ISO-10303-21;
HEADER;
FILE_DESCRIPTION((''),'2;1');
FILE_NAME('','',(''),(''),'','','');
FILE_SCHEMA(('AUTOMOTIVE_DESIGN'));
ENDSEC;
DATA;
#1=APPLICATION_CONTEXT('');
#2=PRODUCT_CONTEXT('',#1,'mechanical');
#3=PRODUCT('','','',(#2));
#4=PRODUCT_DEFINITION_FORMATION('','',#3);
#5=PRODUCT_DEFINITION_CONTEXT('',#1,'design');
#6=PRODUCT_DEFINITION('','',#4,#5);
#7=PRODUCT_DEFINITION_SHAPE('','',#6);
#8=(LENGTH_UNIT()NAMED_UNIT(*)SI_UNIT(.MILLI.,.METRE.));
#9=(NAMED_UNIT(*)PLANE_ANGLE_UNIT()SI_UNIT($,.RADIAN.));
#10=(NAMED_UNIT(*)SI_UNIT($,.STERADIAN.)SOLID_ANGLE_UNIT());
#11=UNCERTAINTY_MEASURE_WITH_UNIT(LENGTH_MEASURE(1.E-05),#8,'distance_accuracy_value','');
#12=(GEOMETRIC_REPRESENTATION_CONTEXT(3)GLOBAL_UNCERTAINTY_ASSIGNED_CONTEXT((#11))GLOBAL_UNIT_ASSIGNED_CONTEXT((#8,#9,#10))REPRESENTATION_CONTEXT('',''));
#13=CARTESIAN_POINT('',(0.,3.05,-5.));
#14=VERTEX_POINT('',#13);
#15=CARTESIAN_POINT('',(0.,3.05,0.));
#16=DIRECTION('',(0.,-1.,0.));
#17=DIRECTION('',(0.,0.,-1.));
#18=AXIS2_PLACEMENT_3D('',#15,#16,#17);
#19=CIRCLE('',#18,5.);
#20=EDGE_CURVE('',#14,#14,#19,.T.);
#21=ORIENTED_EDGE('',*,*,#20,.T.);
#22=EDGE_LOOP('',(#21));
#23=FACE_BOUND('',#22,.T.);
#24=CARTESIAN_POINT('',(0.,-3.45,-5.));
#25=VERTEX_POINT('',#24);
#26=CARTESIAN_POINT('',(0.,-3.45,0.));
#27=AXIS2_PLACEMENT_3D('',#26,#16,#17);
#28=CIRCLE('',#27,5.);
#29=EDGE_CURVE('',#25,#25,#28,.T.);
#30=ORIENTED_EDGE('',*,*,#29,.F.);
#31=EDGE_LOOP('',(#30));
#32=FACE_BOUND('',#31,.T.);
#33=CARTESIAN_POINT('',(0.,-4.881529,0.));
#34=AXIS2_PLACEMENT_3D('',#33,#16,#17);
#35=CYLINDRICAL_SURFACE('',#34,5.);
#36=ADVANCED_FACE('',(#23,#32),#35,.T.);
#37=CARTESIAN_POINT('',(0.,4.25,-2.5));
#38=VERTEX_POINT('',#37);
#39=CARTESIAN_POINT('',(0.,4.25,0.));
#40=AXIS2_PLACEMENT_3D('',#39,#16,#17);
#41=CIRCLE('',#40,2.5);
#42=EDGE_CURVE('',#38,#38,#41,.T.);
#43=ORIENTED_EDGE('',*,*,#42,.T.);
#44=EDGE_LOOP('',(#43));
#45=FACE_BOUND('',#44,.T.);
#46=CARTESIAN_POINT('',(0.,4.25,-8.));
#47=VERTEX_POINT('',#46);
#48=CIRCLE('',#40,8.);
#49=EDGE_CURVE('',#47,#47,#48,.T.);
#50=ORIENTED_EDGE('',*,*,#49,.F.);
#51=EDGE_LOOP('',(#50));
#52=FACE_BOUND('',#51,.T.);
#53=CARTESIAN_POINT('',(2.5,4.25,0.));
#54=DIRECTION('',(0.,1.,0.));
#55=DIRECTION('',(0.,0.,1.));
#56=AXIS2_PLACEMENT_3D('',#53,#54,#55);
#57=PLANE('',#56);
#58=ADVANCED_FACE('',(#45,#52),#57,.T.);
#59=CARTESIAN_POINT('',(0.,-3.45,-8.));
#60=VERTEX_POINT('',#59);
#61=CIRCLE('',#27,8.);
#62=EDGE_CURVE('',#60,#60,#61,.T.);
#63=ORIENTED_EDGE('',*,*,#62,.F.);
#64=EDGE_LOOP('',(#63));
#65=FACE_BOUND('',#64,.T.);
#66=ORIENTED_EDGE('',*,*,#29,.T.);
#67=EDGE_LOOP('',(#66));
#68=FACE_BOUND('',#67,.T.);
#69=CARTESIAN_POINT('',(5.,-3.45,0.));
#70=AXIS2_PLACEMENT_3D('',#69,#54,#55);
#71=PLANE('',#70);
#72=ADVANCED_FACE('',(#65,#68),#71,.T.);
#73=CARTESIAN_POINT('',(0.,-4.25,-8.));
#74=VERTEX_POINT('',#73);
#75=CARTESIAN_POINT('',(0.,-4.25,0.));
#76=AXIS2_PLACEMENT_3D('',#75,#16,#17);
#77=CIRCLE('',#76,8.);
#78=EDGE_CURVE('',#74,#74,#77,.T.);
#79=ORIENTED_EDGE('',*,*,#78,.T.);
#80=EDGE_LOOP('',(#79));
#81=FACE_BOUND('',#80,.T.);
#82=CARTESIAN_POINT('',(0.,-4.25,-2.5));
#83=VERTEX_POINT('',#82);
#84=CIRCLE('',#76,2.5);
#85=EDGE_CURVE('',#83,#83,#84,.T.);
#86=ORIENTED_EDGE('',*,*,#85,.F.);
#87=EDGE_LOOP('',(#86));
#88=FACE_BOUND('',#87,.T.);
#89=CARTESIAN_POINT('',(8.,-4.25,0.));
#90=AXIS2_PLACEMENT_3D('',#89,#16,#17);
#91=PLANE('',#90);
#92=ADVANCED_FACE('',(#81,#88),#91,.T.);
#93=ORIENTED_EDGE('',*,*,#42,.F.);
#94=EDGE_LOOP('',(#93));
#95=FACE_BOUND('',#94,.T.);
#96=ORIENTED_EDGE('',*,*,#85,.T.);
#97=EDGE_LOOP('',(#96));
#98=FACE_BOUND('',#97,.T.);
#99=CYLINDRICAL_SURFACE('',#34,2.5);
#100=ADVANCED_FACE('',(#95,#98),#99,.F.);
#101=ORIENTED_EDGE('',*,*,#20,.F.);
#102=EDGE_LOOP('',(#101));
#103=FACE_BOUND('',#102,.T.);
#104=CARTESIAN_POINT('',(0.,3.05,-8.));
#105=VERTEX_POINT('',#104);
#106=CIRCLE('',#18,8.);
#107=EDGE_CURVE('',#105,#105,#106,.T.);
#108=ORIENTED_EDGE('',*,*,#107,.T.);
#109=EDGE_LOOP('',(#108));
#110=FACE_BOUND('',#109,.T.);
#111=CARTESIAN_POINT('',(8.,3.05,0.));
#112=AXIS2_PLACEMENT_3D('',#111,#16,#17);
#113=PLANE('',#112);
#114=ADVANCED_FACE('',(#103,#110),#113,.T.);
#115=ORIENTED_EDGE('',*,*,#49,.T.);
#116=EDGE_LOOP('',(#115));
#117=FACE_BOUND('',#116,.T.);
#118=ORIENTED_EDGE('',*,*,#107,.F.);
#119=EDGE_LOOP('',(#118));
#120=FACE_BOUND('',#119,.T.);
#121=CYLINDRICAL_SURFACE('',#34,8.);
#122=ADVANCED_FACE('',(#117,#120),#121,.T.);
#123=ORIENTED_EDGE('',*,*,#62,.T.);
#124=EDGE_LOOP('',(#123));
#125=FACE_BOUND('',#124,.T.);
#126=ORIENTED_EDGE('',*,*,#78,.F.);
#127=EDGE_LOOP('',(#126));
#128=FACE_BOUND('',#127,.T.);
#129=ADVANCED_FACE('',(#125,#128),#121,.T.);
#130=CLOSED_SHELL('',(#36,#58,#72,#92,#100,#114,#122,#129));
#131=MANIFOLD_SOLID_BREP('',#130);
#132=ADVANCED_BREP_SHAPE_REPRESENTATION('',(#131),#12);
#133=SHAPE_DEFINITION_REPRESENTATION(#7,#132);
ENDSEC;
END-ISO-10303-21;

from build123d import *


with BuildPart() as part:
    # Sketch1 → Revolve1 (revolve)
    with BuildSketch(Plane.XY, mode=Mode.PRIVATE) as revolve1_sk:
        Polygon((2.5, -4.25), (2.5, 4.25), (8, 4.25), (8, 3.05), (5, 3.05), (5, -3.45), (8, -3.45), (8, -4.25), align=None)
    revolve(revolve1_sk.sketch.rotate(Axis((0, -4.881528906, 0), (0, 1, 0)), 90), axis=Axis((0, -4.881528906, 0), (0, 1, 0)))


solid = part.part
